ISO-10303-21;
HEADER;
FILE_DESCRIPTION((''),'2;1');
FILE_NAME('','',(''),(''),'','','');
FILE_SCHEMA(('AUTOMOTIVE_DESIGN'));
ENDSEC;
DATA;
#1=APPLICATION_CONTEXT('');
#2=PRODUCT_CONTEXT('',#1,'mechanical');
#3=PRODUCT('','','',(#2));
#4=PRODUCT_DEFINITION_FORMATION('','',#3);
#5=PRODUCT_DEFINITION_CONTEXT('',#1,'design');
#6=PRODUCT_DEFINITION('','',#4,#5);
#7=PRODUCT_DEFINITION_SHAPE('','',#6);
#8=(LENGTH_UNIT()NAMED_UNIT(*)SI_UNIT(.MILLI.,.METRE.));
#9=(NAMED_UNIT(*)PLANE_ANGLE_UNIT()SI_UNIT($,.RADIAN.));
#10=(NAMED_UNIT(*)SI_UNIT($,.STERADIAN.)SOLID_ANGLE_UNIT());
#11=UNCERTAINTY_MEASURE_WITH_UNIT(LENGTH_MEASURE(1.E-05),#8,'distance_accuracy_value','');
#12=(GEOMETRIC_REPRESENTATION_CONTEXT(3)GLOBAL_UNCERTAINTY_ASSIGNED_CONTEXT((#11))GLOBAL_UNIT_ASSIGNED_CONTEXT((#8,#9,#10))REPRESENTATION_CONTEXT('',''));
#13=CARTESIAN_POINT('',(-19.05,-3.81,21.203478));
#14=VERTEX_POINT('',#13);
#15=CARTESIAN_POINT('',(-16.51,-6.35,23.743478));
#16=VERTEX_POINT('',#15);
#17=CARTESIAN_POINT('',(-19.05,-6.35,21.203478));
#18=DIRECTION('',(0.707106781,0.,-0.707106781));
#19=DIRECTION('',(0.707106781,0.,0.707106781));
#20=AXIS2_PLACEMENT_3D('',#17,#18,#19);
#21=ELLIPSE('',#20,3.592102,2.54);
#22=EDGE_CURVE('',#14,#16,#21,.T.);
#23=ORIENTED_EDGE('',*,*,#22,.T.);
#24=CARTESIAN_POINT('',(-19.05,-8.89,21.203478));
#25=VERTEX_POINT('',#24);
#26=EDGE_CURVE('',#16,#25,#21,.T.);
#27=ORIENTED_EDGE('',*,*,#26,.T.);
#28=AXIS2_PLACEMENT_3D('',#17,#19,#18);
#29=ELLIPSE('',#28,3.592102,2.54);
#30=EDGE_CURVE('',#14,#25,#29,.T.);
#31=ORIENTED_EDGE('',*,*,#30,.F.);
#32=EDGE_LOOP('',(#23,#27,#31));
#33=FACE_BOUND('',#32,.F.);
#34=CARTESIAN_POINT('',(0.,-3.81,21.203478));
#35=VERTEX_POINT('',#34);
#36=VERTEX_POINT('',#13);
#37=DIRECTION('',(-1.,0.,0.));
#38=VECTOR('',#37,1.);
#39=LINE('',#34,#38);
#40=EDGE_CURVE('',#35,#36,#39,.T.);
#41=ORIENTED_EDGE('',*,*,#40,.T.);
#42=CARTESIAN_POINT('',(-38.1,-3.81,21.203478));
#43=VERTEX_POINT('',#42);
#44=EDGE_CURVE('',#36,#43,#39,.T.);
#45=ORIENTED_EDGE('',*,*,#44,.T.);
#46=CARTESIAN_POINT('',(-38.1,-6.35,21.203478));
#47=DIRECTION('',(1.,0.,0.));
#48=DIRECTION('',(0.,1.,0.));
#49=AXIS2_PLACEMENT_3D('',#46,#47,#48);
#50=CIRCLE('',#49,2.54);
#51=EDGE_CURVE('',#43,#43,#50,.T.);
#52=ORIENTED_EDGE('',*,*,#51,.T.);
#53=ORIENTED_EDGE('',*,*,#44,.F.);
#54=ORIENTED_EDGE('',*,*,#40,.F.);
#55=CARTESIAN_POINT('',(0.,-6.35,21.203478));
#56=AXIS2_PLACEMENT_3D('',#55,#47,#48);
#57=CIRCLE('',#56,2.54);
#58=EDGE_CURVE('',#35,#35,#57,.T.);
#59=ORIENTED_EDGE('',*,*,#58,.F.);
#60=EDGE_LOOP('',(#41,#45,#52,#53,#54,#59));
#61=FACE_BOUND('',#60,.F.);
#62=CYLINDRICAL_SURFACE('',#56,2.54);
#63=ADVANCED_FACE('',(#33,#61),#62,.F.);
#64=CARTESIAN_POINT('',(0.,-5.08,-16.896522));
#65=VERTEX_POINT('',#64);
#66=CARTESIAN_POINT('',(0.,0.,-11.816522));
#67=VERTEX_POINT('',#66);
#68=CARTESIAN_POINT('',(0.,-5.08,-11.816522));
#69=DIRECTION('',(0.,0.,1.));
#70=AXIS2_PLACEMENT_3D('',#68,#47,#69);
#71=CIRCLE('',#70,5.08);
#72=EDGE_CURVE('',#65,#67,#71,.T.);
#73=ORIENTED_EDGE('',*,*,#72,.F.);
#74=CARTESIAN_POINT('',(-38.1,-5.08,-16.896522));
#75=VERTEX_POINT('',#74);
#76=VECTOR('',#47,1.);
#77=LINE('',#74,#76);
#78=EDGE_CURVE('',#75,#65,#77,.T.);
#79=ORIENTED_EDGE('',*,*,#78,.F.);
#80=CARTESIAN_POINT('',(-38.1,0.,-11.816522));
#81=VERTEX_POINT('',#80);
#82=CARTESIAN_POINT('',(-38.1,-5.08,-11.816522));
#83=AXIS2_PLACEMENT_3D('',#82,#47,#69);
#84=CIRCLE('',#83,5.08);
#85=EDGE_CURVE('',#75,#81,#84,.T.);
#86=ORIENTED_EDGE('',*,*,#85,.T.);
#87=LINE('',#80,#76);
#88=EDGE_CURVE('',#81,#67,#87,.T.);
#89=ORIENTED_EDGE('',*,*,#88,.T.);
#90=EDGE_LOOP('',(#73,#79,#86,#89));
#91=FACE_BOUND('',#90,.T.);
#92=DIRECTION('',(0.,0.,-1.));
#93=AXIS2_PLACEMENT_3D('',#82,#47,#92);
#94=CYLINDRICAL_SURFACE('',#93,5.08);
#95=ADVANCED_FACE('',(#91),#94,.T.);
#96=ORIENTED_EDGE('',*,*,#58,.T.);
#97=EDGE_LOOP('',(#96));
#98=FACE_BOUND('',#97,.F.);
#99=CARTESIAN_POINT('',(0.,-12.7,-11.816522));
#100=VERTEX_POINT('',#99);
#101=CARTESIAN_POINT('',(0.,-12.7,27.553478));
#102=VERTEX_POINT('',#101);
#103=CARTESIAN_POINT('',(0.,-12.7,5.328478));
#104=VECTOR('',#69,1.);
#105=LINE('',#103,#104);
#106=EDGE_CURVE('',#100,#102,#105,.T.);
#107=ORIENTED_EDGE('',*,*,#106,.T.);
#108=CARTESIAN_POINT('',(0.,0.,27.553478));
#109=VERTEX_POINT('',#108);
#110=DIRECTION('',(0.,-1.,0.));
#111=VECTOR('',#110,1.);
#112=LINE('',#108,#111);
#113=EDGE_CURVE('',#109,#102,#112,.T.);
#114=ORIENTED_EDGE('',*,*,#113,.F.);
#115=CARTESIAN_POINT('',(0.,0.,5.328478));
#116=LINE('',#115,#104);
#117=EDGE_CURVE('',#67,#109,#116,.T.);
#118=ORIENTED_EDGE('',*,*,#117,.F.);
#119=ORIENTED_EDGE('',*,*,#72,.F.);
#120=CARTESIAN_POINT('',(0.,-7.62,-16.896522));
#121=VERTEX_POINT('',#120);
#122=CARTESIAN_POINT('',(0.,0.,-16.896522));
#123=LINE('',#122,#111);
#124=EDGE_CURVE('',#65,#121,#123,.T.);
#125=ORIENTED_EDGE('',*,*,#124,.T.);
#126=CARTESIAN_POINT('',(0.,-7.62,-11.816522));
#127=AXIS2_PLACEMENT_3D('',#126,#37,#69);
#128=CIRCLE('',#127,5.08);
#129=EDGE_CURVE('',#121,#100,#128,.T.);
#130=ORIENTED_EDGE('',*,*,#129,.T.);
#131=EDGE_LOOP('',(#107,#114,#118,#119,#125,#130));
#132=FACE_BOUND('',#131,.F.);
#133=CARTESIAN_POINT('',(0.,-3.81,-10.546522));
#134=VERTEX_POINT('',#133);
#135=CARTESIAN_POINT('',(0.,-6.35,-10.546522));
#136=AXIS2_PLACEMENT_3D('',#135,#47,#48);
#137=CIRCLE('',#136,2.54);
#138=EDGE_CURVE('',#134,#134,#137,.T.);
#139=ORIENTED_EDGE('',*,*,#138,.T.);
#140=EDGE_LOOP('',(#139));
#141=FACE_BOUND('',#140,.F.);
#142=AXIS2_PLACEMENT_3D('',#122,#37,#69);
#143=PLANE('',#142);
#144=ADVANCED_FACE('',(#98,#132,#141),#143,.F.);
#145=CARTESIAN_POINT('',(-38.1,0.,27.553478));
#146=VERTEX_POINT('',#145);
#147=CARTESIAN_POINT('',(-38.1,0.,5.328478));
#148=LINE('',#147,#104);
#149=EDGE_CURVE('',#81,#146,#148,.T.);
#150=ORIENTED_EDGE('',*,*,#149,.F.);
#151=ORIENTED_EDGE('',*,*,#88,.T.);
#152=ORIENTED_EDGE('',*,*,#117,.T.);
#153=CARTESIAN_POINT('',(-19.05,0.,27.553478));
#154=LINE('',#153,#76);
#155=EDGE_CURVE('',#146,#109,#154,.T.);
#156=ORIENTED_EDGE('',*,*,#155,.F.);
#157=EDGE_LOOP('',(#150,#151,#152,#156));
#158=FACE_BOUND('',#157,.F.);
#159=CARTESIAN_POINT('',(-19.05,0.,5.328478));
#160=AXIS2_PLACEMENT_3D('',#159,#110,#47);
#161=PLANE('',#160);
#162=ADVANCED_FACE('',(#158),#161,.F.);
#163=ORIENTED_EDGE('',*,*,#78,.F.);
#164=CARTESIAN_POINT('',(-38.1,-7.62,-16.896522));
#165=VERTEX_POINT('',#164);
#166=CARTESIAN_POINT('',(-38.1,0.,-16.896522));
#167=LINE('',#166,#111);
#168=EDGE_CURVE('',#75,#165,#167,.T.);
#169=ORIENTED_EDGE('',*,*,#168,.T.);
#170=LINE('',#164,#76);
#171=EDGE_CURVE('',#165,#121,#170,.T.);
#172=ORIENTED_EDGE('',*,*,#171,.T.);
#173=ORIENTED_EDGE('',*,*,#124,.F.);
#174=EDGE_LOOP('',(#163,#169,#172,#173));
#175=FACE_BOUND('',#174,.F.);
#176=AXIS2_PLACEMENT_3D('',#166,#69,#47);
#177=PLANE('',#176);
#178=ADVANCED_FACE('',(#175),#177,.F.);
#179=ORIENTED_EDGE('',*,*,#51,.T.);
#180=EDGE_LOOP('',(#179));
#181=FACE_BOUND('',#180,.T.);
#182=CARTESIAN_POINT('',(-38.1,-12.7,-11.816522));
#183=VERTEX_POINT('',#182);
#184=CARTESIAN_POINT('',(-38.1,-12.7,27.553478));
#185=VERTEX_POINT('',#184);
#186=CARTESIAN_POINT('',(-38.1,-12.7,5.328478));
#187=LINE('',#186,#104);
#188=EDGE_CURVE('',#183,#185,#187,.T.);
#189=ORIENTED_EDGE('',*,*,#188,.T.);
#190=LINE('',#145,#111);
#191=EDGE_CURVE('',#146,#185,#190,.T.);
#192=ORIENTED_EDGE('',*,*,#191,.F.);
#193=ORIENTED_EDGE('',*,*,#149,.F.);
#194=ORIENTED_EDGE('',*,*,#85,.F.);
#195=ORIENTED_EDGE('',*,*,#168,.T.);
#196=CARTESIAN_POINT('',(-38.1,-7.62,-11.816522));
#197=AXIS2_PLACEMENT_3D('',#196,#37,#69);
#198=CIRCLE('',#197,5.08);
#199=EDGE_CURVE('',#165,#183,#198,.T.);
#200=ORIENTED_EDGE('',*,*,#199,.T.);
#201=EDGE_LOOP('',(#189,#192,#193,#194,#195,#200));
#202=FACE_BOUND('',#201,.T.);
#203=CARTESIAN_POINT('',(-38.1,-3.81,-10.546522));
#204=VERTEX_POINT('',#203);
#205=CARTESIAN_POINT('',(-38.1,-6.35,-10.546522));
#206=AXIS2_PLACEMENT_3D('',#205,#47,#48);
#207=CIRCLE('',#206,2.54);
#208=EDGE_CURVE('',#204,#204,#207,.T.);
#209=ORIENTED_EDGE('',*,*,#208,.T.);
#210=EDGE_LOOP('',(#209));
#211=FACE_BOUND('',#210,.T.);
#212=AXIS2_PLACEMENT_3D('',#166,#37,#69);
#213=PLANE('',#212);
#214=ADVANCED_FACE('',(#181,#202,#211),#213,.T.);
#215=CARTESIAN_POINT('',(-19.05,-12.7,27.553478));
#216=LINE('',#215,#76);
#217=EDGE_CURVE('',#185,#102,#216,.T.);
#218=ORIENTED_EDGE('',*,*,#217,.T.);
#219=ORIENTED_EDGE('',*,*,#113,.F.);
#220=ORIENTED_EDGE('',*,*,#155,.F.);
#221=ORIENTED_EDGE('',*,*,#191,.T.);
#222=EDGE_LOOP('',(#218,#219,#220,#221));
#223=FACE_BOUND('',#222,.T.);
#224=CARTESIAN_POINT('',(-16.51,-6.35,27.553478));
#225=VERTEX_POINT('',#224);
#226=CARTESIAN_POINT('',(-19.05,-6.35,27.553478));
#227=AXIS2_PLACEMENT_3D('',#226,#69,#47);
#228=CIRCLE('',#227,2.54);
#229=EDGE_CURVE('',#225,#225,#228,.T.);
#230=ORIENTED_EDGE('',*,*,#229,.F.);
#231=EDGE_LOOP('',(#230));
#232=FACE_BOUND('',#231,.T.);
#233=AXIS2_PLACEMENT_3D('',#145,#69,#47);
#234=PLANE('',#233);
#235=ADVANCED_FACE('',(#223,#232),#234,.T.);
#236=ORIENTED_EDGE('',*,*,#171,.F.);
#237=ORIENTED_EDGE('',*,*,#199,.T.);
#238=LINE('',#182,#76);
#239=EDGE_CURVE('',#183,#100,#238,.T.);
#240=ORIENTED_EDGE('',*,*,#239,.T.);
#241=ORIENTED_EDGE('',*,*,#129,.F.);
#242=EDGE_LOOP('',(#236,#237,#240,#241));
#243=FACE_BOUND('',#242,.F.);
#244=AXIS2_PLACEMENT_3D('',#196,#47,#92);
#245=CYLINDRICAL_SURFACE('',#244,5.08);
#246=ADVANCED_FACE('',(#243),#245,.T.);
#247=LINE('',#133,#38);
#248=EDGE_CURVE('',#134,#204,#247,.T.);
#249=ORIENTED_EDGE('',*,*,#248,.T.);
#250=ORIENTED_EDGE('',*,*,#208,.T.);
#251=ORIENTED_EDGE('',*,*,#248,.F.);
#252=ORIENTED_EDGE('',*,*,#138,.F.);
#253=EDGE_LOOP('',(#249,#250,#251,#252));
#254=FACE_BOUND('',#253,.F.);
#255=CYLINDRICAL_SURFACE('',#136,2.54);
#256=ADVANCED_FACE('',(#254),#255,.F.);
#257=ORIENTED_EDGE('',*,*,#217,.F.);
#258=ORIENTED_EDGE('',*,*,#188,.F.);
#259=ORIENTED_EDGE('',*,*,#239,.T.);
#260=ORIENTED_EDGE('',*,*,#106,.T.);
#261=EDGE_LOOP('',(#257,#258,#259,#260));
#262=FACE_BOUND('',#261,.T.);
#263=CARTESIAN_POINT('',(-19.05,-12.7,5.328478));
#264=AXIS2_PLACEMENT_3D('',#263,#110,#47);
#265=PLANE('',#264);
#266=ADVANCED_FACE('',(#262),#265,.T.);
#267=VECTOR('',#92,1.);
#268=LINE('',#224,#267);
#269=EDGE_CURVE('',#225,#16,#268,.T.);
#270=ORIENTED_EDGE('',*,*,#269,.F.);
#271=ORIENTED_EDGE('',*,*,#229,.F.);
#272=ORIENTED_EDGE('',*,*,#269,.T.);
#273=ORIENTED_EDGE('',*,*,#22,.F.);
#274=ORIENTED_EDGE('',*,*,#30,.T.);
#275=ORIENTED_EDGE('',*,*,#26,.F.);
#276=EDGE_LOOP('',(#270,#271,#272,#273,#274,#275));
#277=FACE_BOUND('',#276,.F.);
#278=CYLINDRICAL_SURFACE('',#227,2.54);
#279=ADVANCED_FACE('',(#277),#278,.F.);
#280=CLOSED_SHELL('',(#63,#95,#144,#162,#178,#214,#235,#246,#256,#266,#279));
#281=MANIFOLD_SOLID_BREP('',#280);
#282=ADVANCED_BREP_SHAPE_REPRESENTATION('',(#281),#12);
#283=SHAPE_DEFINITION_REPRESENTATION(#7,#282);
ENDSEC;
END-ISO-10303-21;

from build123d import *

# Parameters (mm, degrees)
F0_W     = 38.1
F0_H     = 44.45
F1_DEPTH = 12.7
F2_R     = 5.08
F3_R     = 2.54
F4_DEPTH = 38.1
F5_R     = 2.54
F6_DEPTH = 6.35


with BuildPart() as f1:
    # F0 (on Front) → F1 (new body)
    with BuildSketch(Plane.XZ):
        with Locations((-19.05, 5.328478)):
            Rectangle(F0_W, F0_H)
    extrude(amount=F1_DEPTH)

    # F2
    f2_edges = [f1.edges().sort_by_distance(p)[0] for p in [
        (-19.05, 0, -16.896522),
        (-19.05, -12.7, -16.896522),
    ]]
    fillet(f2_edges, radius=F2_R)

    # F3 (on face) → F4 (cut)
    with BuildSketch(Plane.YZ):
        with Locations((-6.35, -10.546522)):
            Circle(F3_R)
        with Locations((-6.35, 21.203478)):
            Circle(F3_R)
    extrude(amount=-F4_DEPTH, mode=Mode.SUBTRACT)

    # F5 (on face) → F6 (cut)
    with BuildSketch(Plane.XY.offset(27.553478)):
        with Locations((-19.05, -6.35)):
            Circle(F5_R)
    extrude(amount=-F6_DEPTH, mode=Mode.SUBTRACT)


solid = f1.part
